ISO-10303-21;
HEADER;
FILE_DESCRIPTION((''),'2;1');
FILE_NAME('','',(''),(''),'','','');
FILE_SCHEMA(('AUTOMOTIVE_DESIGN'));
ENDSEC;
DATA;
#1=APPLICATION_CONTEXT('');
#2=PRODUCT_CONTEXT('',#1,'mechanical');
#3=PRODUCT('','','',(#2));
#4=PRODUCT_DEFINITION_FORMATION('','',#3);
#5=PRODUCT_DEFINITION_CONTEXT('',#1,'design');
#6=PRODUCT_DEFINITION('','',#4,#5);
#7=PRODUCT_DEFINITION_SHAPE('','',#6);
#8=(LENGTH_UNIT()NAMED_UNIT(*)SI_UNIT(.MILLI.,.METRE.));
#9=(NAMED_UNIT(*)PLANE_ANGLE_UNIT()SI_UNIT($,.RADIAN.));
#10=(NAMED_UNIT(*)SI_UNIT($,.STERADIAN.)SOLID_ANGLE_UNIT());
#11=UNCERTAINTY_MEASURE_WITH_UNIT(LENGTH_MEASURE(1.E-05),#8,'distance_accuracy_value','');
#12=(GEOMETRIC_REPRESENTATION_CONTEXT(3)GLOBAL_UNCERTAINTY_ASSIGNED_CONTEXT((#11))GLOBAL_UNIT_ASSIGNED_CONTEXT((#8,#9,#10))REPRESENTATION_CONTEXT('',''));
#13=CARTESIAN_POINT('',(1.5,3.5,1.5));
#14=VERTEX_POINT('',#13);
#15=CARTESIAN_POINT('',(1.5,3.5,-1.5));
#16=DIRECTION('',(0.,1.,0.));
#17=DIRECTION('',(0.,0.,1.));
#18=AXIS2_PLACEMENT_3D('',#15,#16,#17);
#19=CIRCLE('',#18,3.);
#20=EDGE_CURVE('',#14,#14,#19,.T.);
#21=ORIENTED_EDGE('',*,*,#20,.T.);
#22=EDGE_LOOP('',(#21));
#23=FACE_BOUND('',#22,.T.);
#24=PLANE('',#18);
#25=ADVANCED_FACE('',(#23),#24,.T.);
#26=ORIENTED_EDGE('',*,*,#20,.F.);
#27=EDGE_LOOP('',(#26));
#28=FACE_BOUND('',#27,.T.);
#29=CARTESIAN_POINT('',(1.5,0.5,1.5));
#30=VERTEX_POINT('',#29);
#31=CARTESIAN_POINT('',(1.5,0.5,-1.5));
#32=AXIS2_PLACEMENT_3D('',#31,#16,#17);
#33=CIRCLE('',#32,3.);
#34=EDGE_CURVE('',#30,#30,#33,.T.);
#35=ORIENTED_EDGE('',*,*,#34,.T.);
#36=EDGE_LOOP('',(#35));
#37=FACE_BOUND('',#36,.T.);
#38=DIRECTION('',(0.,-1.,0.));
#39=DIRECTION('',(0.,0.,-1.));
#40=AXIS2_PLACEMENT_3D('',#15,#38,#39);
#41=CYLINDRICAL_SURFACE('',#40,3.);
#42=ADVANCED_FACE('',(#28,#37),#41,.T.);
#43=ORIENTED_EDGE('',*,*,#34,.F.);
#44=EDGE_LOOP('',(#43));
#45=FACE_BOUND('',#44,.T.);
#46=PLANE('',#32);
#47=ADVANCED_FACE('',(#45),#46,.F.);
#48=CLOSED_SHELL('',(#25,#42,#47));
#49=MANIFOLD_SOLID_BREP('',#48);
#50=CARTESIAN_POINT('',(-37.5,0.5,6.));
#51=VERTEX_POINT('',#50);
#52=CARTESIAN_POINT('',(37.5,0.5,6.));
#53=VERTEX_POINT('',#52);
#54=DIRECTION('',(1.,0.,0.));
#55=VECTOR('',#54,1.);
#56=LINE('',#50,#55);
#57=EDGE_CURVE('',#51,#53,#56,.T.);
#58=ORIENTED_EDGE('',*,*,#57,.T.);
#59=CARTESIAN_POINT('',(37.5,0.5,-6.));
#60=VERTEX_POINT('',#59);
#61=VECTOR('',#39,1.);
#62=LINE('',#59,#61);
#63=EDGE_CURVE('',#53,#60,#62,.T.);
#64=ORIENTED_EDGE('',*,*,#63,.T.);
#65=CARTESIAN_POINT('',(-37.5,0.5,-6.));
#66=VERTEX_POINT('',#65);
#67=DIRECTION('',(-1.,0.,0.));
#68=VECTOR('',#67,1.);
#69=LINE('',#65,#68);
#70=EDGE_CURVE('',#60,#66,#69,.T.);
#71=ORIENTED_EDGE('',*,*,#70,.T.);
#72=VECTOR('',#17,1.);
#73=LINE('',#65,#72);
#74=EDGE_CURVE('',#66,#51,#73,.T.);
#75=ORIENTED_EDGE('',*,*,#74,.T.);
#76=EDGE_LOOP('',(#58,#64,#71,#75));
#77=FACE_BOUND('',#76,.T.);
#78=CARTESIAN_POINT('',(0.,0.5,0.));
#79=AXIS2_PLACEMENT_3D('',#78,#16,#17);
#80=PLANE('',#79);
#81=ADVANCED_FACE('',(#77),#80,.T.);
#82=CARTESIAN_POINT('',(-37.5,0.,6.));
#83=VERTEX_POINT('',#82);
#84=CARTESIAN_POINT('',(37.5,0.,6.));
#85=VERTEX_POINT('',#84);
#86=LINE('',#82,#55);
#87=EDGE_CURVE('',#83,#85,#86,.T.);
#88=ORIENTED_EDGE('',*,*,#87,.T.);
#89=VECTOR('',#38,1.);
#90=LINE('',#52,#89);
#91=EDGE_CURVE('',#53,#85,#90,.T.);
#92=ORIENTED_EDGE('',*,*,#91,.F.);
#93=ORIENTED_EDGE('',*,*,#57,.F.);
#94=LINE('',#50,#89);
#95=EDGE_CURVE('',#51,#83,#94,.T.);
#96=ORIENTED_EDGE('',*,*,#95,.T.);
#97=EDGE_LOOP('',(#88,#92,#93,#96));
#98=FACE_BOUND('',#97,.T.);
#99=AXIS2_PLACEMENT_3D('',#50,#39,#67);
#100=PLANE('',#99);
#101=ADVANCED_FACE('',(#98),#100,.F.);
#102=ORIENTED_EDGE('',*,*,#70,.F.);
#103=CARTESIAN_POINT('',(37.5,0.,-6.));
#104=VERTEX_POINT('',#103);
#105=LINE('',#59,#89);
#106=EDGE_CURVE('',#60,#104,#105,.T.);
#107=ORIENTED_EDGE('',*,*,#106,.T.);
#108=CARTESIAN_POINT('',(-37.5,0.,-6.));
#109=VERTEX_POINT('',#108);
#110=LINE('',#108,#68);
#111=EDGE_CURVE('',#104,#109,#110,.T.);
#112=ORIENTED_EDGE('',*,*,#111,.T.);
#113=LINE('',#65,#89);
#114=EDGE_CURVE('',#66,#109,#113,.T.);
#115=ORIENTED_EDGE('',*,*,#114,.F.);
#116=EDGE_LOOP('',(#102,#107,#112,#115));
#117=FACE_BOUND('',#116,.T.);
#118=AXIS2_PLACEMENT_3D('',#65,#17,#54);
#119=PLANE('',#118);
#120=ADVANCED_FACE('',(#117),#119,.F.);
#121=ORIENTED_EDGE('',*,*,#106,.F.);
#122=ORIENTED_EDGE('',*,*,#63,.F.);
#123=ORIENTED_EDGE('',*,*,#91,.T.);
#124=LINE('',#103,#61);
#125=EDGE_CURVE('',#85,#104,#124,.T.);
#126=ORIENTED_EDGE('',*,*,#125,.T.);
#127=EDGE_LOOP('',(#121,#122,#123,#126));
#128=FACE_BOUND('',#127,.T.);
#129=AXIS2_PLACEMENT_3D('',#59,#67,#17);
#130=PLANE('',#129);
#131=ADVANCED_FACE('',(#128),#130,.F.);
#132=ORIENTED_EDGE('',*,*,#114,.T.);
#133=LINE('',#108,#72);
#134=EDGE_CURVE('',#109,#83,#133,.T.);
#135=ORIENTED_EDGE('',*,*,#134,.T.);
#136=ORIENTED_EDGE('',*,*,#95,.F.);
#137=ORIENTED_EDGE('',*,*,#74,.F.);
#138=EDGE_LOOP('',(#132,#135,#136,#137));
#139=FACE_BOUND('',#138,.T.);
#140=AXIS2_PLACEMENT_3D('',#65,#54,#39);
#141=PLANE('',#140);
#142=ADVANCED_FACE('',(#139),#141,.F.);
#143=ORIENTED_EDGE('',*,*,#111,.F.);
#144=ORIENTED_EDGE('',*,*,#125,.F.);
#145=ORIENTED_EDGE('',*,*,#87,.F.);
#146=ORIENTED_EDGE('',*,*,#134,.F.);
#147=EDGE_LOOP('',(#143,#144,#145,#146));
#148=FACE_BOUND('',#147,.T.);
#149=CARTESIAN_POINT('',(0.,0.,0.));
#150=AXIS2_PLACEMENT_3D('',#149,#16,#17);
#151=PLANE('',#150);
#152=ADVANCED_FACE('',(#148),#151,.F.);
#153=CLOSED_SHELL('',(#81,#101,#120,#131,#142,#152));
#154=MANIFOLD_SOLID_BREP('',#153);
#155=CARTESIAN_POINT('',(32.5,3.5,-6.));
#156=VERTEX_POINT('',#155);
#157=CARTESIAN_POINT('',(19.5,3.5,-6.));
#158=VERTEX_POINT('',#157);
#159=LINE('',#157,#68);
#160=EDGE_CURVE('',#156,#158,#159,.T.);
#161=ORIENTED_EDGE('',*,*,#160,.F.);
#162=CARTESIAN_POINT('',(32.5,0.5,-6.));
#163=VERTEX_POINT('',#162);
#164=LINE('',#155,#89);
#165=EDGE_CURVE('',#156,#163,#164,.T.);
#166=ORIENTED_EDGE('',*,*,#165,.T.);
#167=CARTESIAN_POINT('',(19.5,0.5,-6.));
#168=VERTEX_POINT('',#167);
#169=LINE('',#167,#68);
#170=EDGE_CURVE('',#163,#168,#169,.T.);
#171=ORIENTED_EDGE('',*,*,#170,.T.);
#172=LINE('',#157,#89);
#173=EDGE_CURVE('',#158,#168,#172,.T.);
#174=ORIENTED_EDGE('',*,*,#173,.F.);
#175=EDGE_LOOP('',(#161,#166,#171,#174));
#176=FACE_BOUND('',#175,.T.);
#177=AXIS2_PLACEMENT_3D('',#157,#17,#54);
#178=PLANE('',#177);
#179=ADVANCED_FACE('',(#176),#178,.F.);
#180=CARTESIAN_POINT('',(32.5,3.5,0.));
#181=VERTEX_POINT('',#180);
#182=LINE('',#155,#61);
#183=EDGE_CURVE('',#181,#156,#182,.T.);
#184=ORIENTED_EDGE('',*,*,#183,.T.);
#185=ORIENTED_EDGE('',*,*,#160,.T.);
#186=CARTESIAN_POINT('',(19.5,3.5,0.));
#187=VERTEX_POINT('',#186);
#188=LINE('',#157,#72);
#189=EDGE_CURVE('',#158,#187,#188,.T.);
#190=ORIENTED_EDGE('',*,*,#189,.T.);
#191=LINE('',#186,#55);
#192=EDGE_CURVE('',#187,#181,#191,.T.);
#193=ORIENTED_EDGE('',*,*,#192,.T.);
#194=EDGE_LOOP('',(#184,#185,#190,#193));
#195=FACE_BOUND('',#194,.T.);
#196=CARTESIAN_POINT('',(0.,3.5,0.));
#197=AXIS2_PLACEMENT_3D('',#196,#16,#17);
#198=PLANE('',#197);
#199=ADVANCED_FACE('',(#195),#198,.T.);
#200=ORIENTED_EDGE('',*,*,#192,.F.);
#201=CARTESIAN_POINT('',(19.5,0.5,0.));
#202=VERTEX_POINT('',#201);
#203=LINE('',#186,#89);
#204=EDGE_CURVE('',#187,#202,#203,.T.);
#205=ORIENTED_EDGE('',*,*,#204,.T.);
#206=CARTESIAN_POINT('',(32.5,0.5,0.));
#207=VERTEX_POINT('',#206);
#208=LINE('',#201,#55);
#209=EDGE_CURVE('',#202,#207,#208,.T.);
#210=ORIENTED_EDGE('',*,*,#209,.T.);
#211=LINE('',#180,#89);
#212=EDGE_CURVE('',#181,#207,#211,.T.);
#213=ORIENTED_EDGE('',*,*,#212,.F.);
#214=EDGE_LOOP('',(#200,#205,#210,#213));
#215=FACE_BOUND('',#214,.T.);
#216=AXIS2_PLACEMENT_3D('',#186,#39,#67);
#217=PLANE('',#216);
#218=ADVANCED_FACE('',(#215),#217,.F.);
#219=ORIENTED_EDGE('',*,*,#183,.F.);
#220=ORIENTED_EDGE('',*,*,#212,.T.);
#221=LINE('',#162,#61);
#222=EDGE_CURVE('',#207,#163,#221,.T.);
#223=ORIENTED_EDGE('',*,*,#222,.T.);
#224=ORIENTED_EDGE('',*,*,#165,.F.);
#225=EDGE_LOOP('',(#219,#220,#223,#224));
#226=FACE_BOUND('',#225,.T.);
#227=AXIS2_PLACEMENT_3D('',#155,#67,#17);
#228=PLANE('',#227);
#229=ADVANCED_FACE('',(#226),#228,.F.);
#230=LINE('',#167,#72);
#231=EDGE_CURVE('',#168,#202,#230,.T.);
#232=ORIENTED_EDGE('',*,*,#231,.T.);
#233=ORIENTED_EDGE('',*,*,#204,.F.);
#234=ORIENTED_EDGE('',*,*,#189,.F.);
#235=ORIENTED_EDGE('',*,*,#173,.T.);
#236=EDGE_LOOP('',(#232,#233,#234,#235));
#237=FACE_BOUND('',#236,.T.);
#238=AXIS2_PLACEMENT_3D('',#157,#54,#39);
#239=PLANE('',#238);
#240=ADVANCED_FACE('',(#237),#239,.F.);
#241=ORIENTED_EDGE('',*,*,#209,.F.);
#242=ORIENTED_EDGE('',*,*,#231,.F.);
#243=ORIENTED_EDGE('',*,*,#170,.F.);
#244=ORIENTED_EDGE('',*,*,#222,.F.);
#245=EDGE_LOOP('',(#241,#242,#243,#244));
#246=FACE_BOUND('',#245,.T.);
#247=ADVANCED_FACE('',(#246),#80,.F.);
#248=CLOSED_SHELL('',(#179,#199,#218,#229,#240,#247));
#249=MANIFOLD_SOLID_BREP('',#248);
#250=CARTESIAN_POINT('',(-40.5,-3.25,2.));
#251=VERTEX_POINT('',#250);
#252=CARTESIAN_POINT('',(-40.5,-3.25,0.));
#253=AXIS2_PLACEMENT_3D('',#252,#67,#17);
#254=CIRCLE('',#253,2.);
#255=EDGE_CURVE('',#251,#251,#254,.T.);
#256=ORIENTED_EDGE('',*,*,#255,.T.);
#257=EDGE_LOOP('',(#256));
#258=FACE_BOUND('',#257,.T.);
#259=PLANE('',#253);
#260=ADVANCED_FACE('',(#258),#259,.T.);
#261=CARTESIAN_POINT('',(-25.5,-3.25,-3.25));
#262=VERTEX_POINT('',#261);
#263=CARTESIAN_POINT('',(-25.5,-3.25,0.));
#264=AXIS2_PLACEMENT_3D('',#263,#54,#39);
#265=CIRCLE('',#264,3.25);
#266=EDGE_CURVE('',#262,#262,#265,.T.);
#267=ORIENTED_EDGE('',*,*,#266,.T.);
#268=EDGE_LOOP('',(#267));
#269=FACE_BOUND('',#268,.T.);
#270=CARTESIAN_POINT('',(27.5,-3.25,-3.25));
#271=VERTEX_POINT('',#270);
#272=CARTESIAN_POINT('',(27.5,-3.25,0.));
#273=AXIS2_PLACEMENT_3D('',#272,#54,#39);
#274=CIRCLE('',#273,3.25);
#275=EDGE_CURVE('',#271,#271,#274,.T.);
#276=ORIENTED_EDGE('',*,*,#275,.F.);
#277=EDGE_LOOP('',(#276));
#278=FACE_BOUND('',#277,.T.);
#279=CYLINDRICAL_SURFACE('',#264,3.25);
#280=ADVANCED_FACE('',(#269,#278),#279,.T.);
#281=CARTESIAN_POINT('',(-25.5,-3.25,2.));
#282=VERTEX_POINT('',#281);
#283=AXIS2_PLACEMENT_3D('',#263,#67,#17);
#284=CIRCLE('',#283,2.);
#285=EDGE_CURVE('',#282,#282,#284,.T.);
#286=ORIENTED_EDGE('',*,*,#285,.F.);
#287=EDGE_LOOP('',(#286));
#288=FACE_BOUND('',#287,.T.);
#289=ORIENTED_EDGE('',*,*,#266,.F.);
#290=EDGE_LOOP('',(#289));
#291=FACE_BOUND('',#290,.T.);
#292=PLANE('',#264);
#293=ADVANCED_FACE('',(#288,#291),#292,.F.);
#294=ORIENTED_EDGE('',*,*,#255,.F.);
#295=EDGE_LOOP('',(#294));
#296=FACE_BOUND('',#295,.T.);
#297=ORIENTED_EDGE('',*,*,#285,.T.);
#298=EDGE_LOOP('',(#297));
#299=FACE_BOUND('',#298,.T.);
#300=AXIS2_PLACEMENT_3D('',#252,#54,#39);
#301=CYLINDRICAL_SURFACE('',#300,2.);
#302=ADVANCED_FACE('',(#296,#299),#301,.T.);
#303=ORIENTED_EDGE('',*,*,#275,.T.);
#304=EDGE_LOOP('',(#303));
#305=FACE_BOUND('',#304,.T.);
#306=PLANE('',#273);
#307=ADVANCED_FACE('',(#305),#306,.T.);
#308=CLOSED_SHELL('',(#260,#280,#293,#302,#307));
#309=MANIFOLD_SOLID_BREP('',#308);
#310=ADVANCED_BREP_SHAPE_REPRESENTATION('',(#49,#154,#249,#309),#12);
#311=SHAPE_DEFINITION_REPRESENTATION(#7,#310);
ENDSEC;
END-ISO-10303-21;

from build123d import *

# Parameters (mm, degrees)
SKETCH1_W             = 75
SKETCH1_H             = 12
BOSS_EXTRUDE1_DEPTH   = 0.5
SKETCH2_R             = 3
BOSS_EXTRUDE2_DEPTH   = 3
SKETCH2_W             = 13
SKETCH2_H             = 6
BOSS_EXTRUDE2_2_DEPTH = 3
BOSS_EXTRUDE3_START   = -10
SKETCH3_R             = 3.25
BOSS_EXTRUDE3_DEPTH   = 53
SKETCH4_R             = 2
BOSS_EXTRUDE4_DEPTH   = 15


with BuildPart() as part:
    # Sketch1 → Boss-Extrude1 (new body)
    with BuildSketch(Plane(origin=(0, 0, 0), x_dir=(1, 0, 0), z_dir=(0, 1, 0))):
        Rectangle(SKETCH1_W, SKETCH1_H)
    extrude(amount=BOSS_EXTRUDE1_DEPTH)


with BuildPart() as body_2:
    # Sketch2 → Boss-Extrude2 (new body)
    with BuildSketch(Plane(origin=(0, 0.5, 0), x_dir=(1, 0, 0), z_dir=(0, 1, 0))):
        with Locations(Location((1.5, 1.5, 0), (0, 0, 270))):
            Circle(SKETCH2_R)
    extrude(amount=BOSS_EXTRUDE2_DEPTH)


with BuildPart() as body_3:
    # Sketch2 → Boss-Extrude2 2 (new body)
    with BuildSketch(Plane(origin=(0, 0.5, 0), x_dir=(1, 0, 0), z_dir=(0, 1, 0))):
        with Locations((26, 3)):
            Rectangle(SKETCH2_W, SKETCH2_H)
    extrude(amount=BOSS_EXTRUDE2_2_DEPTH)


with BuildPart() as body_4:
    # Sketch3 → Boss-Extrude3 (new body)
    with BuildSketch(Plane(origin=(37.5, 0, 0), x_dir=(0, 0, -1), z_dir=(1, 0, 0)).offset(BOSS_EXTRUDE3_START)):
        with Locations((0, -3.25)):
            Circle(SKETCH3_R)
    extrude(amount=-BOSS_EXTRUDE3_DEPTH)

    # Sketch4 → Boss-Extrude4 (add)
    with BuildSketch(Plane.ZY.offset(25.5)):
        with Locations((0, -3.25)):
            Circle(SKETCH4_R)
    extrude(amount=BOSS_EXTRUDE4_DEPTH)


solid = Compound([part.part, body_2.part, body_3.part, body_4.part])
